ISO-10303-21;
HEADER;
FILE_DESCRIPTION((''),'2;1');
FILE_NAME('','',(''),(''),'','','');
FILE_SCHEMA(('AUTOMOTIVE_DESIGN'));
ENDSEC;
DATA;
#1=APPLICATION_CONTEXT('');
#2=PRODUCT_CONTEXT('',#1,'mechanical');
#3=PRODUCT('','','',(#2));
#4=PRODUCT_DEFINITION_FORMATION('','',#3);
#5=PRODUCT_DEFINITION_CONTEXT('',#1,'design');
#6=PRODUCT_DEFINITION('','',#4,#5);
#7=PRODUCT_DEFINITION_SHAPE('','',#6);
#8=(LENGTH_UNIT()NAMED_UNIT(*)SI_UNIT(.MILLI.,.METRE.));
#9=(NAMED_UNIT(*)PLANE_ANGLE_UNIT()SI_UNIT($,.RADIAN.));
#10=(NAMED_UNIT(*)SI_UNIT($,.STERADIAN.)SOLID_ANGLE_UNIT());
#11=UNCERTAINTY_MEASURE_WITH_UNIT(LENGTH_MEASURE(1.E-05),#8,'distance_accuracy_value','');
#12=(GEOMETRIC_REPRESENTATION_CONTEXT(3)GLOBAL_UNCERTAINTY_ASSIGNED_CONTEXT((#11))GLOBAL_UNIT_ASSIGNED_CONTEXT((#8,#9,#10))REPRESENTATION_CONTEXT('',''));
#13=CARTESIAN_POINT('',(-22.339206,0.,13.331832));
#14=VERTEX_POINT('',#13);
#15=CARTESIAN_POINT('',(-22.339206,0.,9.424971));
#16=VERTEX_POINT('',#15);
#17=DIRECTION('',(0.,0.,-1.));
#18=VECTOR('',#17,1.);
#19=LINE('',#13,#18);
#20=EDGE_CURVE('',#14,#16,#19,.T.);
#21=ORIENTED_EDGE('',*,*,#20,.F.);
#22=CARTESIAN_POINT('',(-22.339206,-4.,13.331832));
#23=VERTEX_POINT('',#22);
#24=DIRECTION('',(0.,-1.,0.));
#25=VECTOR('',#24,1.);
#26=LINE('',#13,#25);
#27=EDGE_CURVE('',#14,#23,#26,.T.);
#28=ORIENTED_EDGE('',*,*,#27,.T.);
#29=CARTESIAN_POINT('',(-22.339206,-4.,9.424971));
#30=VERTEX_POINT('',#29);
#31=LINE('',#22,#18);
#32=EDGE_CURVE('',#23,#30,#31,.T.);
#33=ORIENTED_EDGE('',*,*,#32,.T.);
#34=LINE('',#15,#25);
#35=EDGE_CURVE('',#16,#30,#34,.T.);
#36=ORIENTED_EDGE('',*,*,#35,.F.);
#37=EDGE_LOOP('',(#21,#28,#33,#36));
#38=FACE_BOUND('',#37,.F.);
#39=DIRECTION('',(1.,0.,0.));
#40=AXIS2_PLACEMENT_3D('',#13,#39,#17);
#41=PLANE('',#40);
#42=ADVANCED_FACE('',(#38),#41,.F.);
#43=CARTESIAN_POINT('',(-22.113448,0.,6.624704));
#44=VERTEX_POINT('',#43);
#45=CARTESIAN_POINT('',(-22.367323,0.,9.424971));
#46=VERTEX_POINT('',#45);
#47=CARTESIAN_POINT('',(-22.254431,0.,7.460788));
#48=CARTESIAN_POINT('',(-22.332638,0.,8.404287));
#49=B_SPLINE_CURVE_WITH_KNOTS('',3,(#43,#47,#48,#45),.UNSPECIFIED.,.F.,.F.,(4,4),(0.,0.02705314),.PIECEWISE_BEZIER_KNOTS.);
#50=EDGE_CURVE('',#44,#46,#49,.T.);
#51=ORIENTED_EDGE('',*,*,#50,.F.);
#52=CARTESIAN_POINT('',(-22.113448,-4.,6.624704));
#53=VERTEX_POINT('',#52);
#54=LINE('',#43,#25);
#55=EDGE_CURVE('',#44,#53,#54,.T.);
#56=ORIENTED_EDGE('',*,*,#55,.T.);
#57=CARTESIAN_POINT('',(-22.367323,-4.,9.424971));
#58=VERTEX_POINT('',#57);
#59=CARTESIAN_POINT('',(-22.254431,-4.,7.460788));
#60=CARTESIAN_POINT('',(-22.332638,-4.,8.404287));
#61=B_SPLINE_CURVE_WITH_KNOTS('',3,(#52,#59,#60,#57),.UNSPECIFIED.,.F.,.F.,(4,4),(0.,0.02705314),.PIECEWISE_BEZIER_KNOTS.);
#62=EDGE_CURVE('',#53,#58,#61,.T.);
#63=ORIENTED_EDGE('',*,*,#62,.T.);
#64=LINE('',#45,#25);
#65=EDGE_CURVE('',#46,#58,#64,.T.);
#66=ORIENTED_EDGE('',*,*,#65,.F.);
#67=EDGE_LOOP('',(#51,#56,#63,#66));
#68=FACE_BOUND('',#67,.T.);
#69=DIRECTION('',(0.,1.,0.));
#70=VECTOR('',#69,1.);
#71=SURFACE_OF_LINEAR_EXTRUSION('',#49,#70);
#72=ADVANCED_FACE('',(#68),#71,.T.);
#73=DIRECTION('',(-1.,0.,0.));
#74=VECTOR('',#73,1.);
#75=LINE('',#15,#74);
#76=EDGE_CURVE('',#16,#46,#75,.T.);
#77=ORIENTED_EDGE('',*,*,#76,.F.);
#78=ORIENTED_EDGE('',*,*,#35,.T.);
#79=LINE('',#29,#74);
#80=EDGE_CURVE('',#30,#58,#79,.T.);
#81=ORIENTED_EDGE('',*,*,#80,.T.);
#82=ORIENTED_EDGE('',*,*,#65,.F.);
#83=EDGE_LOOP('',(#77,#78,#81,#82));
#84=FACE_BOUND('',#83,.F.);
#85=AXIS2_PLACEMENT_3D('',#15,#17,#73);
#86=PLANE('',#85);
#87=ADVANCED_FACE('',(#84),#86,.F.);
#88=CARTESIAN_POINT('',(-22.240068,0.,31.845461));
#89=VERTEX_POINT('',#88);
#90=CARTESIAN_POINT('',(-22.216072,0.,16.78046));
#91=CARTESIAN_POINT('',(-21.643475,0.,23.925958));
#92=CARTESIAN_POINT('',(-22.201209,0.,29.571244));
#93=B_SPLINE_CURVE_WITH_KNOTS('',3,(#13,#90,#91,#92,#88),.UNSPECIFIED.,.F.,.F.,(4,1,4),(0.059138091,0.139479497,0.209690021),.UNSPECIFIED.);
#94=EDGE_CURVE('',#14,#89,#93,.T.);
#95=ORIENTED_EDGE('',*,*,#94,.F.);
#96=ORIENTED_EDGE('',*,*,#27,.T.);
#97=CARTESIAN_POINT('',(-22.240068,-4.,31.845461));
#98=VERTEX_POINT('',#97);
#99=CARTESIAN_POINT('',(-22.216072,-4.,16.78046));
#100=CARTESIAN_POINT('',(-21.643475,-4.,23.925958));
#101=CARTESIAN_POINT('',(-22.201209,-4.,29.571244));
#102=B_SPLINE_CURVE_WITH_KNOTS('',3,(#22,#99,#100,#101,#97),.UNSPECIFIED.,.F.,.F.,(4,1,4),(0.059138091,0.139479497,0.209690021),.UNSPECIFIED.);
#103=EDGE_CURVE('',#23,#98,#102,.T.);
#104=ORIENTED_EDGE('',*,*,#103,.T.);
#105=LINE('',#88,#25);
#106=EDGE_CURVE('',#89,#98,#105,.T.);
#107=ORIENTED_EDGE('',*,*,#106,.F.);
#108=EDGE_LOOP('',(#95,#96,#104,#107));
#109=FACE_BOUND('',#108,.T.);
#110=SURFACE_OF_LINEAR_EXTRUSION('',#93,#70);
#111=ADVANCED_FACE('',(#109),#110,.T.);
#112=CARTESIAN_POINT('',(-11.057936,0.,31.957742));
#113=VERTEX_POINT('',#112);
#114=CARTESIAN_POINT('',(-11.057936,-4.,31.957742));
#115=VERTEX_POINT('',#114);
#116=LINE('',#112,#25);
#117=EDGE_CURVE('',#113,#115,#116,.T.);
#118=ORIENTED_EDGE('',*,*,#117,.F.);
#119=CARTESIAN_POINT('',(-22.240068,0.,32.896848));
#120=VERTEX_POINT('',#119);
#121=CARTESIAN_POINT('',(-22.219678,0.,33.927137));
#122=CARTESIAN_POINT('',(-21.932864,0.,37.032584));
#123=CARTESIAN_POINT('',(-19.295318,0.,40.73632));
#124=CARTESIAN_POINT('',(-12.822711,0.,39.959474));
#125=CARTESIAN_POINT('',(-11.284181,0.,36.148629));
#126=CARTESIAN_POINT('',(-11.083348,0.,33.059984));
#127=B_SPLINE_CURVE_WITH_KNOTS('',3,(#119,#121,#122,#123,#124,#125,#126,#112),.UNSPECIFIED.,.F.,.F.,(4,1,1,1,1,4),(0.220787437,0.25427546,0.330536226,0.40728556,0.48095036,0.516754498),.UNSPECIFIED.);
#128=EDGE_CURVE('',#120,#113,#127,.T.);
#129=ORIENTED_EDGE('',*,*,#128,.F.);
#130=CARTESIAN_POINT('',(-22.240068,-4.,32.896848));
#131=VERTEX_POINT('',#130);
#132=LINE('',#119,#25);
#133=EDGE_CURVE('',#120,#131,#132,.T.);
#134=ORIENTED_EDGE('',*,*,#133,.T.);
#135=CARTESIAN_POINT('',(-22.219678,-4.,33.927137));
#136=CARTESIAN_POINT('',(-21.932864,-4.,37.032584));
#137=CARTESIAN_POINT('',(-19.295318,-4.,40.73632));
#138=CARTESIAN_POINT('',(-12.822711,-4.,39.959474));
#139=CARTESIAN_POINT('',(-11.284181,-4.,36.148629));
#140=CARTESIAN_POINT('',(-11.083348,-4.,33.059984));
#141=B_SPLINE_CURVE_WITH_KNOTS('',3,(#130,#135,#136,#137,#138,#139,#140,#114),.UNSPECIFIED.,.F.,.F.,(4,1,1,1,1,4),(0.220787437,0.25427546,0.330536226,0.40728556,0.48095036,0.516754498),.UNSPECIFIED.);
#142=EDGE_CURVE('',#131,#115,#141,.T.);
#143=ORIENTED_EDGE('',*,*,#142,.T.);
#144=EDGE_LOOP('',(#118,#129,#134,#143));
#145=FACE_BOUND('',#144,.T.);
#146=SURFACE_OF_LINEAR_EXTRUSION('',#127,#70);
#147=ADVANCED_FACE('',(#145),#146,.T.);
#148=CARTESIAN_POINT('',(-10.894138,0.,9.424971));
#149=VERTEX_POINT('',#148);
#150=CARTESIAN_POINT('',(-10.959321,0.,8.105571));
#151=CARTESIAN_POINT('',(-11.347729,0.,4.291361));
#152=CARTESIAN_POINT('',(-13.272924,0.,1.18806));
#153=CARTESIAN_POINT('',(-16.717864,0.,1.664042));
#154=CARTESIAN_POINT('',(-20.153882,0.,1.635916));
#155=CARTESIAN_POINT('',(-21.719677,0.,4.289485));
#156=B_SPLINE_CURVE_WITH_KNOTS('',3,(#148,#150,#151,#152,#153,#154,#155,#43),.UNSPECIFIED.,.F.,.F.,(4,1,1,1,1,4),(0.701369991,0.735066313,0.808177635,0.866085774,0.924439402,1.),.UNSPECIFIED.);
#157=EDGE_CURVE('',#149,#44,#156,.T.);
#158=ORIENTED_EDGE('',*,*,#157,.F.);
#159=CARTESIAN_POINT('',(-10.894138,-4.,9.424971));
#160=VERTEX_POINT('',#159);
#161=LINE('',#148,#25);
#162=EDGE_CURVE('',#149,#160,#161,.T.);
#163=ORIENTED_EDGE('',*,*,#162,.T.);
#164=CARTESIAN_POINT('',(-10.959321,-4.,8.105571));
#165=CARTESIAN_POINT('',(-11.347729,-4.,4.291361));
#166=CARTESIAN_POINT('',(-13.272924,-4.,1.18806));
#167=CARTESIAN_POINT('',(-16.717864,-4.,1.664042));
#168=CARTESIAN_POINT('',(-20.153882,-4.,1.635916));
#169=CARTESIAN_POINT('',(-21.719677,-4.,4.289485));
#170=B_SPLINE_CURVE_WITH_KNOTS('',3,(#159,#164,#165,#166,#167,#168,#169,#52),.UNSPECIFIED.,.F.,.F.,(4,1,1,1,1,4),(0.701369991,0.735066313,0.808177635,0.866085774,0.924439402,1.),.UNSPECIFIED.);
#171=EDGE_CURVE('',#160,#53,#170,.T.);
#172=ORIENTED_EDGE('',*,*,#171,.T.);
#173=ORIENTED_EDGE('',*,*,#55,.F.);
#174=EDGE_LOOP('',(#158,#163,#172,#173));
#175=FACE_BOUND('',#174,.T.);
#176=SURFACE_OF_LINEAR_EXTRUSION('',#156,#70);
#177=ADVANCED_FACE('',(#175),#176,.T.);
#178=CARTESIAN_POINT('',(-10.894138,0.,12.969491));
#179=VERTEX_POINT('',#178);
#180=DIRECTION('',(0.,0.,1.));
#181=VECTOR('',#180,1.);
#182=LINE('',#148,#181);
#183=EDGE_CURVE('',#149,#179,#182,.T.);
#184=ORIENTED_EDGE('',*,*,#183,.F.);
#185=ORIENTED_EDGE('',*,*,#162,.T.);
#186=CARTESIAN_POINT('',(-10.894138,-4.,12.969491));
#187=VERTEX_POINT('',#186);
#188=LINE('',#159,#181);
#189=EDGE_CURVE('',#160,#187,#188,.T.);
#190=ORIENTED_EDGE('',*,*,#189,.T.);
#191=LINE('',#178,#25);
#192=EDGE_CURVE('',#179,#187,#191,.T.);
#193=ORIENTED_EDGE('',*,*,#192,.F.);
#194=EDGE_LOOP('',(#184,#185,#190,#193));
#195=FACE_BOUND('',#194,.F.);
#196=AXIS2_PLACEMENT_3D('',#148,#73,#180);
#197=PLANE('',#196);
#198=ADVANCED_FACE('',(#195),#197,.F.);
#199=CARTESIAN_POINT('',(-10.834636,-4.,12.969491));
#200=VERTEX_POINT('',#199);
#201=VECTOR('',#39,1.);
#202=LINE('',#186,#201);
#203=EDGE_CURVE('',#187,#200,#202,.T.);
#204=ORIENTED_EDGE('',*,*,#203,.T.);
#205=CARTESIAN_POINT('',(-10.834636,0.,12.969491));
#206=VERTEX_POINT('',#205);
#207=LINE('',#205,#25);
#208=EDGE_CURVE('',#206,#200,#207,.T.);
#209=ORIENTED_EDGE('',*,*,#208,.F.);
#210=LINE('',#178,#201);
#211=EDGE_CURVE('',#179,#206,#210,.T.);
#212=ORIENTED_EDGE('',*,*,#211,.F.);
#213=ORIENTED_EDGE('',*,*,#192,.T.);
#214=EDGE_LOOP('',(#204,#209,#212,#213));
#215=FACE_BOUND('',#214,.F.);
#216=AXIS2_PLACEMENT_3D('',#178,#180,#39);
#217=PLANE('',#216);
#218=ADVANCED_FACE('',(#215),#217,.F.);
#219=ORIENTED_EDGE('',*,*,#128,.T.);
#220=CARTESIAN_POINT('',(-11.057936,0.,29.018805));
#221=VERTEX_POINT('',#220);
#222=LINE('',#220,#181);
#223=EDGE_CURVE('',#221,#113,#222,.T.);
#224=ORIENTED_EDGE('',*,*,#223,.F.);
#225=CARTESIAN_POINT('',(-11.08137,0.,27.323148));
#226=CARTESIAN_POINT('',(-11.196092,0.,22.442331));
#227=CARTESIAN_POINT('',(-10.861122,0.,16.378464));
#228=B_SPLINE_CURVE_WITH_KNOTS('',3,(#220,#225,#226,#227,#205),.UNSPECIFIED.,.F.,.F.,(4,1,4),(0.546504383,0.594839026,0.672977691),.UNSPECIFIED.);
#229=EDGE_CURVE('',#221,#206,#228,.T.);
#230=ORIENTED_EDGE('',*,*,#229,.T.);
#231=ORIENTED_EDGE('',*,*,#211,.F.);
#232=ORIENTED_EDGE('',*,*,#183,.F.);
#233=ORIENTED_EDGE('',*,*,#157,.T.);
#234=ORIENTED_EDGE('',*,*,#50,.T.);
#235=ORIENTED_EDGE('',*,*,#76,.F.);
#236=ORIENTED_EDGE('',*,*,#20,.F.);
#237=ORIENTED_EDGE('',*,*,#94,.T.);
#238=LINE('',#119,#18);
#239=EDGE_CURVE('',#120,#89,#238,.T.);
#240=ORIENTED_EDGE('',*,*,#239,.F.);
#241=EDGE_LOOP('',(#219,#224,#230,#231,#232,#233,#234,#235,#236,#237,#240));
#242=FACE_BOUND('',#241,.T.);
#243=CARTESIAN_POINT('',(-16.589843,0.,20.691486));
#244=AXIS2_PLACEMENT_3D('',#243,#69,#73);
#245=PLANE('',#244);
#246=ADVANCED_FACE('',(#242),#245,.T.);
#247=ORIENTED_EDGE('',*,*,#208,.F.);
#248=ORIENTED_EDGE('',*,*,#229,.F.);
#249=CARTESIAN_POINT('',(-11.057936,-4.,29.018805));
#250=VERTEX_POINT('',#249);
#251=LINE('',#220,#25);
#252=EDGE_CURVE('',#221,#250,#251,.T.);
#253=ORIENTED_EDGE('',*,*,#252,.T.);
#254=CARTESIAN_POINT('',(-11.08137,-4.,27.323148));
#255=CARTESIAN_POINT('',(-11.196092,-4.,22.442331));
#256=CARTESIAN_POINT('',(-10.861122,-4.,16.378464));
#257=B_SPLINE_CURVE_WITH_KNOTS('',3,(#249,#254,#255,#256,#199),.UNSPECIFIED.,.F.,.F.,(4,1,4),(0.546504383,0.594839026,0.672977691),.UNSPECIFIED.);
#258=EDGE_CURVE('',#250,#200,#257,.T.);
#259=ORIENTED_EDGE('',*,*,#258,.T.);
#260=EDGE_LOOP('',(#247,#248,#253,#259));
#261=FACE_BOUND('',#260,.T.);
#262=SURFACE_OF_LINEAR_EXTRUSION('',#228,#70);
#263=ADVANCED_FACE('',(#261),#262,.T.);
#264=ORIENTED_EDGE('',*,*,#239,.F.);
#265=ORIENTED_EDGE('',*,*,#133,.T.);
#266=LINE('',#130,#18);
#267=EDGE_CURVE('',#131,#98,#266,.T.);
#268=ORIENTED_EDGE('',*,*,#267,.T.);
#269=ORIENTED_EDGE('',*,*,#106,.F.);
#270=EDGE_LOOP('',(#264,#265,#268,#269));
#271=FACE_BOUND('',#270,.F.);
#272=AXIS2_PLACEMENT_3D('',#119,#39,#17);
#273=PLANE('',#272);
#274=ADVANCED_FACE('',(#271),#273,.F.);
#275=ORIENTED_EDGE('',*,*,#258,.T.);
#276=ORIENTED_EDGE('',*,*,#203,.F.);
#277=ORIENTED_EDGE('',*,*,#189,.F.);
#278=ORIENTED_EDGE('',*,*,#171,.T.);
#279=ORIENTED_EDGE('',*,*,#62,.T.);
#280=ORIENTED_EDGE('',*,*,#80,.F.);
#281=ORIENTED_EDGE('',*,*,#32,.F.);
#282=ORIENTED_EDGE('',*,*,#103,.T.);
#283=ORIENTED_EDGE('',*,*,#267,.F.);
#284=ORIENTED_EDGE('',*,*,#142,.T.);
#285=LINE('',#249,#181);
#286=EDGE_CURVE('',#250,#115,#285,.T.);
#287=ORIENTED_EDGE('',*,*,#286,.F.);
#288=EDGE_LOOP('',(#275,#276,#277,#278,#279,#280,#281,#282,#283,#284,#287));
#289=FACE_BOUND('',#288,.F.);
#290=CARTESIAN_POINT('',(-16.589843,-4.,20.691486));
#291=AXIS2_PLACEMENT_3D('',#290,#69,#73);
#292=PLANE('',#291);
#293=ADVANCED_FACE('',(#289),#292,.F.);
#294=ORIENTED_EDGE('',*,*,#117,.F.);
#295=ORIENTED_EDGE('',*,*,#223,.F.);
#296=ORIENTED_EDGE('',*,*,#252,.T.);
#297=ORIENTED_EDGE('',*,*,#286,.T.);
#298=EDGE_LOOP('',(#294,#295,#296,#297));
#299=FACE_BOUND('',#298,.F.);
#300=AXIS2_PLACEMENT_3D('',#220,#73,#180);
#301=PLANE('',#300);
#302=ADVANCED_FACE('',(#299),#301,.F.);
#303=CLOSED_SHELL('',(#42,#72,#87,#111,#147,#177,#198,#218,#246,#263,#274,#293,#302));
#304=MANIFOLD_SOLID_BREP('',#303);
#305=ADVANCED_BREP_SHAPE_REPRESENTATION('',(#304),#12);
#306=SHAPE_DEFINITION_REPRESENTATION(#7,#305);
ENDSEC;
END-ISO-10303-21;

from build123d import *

# Parameters (mm, degrees)
F1_DEPTH = 4


with BuildPart() as f1:
    # F0 (on Front) → F1 (new body)
    with BuildSketch(Plane.XZ):
        with BuildLine():
            add(Edge.make_bspline(
                [(-10.8941382348, 9.4249713676), (-10.9593211957, 8.1055708545), (-11.3477292709, 4.2913613907), (-13.2729236116, 1.1880596782), (-16.7178638936, 1.6640416375), (-20.1538820528, 1.6359164321), (-21.7196768364, 4.2894851093), (-22.1134480089, 6.6247042269)],
                knots=[0.7013699909, 0.7013699909, 0.7013699909, 0.7013699909, 0.7350663126, 0.8081776347, 0.8660857742, 0.9244394022, 1, 1, 1, 1], degree=3))
            Line((-10.8941382348, 9.4249713676), (-10.8941382348, 12.969491072))
            Line((-10.8941382348, 12.969491072), (-10.8346360621, 12.969491072))
            add(Edge.make_bspline(
                [(-11.0579359967, 29.0188053732), (-11.0813696856, 27.3231476575), (-11.1960917274, 22.442331008), (-10.8611217361, 16.3784642244), (-10.8346360621, 12.969491072)],
                knots=[0.5465043835, 0.5465043835, 0.5465043835, 0.5465043835, 0.5948390255, 0.6729776906, 0.6729776906, 0.6729776906, 0.6729776906], degree=3))
            Line((-11.0579359967, 29.0188053732), (-11.0579359967, 31.9577415271))
            add(Edge.make_bspline(
                [(-22.2400677926, 32.8968483147), (-22.219678178, 33.9271365284), (-21.9328643092, 37.0325836444), (-19.2953175937, 40.7363202728), (-12.82271139, 39.9594736957), (-11.2841805411, 36.1486290506), (-11.0833476746, 33.0599837515), (-11.0579359967, 31.9577415271)],
                knots=[0.2207874367, 0.2207874367, 0.2207874367, 0.2207874367, 0.2542754597, 0.3305362265, 0.4072855601, 0.4809503604, 0.5167544975, 0.5167544975, 0.5167544975, 0.5167544975], degree=3))
            Line((-22.2400677926, 32.8968483147), (-22.2400677926, 31.8454611102))
            add(Edge.make_bspline(
                [(-22.3392057409, 13.3318323754), (-22.2160715083, 16.7804599134), (-21.6434749076, 23.9259584444), (-22.2012087974, 29.5712444241), (-22.2400677926, 31.8454611102)],
                knots=[0.059138091, 0.059138091, 0.059138091, 0.059138091, 0.1394794972, 0.2096900213, 0.2096900213, 0.2096900213, 0.2096900213], degree=3))
            Line((-22.3392057409, 13.3318323754), (-22.3392057409, 9.4249713676))
            Line((-22.3392057409, 9.4249713676), (-22.3673229857, 9.4249713676))
            add(Edge.make_bspline(
                [(-22.1134480089, 6.6247042269), (-22.2544308378, 7.4607882785), (-22.3326375011, 8.4042871625), (-22.3673229857, 9.4249713676)],
                knots=[0, 0, 0, 0, 0.0270531404, 0.0270531404, 0.0270531404, 0.0270531404], degree=3))
        make_face()
    extrude(amount=F1_DEPTH)


solid = f1.part
